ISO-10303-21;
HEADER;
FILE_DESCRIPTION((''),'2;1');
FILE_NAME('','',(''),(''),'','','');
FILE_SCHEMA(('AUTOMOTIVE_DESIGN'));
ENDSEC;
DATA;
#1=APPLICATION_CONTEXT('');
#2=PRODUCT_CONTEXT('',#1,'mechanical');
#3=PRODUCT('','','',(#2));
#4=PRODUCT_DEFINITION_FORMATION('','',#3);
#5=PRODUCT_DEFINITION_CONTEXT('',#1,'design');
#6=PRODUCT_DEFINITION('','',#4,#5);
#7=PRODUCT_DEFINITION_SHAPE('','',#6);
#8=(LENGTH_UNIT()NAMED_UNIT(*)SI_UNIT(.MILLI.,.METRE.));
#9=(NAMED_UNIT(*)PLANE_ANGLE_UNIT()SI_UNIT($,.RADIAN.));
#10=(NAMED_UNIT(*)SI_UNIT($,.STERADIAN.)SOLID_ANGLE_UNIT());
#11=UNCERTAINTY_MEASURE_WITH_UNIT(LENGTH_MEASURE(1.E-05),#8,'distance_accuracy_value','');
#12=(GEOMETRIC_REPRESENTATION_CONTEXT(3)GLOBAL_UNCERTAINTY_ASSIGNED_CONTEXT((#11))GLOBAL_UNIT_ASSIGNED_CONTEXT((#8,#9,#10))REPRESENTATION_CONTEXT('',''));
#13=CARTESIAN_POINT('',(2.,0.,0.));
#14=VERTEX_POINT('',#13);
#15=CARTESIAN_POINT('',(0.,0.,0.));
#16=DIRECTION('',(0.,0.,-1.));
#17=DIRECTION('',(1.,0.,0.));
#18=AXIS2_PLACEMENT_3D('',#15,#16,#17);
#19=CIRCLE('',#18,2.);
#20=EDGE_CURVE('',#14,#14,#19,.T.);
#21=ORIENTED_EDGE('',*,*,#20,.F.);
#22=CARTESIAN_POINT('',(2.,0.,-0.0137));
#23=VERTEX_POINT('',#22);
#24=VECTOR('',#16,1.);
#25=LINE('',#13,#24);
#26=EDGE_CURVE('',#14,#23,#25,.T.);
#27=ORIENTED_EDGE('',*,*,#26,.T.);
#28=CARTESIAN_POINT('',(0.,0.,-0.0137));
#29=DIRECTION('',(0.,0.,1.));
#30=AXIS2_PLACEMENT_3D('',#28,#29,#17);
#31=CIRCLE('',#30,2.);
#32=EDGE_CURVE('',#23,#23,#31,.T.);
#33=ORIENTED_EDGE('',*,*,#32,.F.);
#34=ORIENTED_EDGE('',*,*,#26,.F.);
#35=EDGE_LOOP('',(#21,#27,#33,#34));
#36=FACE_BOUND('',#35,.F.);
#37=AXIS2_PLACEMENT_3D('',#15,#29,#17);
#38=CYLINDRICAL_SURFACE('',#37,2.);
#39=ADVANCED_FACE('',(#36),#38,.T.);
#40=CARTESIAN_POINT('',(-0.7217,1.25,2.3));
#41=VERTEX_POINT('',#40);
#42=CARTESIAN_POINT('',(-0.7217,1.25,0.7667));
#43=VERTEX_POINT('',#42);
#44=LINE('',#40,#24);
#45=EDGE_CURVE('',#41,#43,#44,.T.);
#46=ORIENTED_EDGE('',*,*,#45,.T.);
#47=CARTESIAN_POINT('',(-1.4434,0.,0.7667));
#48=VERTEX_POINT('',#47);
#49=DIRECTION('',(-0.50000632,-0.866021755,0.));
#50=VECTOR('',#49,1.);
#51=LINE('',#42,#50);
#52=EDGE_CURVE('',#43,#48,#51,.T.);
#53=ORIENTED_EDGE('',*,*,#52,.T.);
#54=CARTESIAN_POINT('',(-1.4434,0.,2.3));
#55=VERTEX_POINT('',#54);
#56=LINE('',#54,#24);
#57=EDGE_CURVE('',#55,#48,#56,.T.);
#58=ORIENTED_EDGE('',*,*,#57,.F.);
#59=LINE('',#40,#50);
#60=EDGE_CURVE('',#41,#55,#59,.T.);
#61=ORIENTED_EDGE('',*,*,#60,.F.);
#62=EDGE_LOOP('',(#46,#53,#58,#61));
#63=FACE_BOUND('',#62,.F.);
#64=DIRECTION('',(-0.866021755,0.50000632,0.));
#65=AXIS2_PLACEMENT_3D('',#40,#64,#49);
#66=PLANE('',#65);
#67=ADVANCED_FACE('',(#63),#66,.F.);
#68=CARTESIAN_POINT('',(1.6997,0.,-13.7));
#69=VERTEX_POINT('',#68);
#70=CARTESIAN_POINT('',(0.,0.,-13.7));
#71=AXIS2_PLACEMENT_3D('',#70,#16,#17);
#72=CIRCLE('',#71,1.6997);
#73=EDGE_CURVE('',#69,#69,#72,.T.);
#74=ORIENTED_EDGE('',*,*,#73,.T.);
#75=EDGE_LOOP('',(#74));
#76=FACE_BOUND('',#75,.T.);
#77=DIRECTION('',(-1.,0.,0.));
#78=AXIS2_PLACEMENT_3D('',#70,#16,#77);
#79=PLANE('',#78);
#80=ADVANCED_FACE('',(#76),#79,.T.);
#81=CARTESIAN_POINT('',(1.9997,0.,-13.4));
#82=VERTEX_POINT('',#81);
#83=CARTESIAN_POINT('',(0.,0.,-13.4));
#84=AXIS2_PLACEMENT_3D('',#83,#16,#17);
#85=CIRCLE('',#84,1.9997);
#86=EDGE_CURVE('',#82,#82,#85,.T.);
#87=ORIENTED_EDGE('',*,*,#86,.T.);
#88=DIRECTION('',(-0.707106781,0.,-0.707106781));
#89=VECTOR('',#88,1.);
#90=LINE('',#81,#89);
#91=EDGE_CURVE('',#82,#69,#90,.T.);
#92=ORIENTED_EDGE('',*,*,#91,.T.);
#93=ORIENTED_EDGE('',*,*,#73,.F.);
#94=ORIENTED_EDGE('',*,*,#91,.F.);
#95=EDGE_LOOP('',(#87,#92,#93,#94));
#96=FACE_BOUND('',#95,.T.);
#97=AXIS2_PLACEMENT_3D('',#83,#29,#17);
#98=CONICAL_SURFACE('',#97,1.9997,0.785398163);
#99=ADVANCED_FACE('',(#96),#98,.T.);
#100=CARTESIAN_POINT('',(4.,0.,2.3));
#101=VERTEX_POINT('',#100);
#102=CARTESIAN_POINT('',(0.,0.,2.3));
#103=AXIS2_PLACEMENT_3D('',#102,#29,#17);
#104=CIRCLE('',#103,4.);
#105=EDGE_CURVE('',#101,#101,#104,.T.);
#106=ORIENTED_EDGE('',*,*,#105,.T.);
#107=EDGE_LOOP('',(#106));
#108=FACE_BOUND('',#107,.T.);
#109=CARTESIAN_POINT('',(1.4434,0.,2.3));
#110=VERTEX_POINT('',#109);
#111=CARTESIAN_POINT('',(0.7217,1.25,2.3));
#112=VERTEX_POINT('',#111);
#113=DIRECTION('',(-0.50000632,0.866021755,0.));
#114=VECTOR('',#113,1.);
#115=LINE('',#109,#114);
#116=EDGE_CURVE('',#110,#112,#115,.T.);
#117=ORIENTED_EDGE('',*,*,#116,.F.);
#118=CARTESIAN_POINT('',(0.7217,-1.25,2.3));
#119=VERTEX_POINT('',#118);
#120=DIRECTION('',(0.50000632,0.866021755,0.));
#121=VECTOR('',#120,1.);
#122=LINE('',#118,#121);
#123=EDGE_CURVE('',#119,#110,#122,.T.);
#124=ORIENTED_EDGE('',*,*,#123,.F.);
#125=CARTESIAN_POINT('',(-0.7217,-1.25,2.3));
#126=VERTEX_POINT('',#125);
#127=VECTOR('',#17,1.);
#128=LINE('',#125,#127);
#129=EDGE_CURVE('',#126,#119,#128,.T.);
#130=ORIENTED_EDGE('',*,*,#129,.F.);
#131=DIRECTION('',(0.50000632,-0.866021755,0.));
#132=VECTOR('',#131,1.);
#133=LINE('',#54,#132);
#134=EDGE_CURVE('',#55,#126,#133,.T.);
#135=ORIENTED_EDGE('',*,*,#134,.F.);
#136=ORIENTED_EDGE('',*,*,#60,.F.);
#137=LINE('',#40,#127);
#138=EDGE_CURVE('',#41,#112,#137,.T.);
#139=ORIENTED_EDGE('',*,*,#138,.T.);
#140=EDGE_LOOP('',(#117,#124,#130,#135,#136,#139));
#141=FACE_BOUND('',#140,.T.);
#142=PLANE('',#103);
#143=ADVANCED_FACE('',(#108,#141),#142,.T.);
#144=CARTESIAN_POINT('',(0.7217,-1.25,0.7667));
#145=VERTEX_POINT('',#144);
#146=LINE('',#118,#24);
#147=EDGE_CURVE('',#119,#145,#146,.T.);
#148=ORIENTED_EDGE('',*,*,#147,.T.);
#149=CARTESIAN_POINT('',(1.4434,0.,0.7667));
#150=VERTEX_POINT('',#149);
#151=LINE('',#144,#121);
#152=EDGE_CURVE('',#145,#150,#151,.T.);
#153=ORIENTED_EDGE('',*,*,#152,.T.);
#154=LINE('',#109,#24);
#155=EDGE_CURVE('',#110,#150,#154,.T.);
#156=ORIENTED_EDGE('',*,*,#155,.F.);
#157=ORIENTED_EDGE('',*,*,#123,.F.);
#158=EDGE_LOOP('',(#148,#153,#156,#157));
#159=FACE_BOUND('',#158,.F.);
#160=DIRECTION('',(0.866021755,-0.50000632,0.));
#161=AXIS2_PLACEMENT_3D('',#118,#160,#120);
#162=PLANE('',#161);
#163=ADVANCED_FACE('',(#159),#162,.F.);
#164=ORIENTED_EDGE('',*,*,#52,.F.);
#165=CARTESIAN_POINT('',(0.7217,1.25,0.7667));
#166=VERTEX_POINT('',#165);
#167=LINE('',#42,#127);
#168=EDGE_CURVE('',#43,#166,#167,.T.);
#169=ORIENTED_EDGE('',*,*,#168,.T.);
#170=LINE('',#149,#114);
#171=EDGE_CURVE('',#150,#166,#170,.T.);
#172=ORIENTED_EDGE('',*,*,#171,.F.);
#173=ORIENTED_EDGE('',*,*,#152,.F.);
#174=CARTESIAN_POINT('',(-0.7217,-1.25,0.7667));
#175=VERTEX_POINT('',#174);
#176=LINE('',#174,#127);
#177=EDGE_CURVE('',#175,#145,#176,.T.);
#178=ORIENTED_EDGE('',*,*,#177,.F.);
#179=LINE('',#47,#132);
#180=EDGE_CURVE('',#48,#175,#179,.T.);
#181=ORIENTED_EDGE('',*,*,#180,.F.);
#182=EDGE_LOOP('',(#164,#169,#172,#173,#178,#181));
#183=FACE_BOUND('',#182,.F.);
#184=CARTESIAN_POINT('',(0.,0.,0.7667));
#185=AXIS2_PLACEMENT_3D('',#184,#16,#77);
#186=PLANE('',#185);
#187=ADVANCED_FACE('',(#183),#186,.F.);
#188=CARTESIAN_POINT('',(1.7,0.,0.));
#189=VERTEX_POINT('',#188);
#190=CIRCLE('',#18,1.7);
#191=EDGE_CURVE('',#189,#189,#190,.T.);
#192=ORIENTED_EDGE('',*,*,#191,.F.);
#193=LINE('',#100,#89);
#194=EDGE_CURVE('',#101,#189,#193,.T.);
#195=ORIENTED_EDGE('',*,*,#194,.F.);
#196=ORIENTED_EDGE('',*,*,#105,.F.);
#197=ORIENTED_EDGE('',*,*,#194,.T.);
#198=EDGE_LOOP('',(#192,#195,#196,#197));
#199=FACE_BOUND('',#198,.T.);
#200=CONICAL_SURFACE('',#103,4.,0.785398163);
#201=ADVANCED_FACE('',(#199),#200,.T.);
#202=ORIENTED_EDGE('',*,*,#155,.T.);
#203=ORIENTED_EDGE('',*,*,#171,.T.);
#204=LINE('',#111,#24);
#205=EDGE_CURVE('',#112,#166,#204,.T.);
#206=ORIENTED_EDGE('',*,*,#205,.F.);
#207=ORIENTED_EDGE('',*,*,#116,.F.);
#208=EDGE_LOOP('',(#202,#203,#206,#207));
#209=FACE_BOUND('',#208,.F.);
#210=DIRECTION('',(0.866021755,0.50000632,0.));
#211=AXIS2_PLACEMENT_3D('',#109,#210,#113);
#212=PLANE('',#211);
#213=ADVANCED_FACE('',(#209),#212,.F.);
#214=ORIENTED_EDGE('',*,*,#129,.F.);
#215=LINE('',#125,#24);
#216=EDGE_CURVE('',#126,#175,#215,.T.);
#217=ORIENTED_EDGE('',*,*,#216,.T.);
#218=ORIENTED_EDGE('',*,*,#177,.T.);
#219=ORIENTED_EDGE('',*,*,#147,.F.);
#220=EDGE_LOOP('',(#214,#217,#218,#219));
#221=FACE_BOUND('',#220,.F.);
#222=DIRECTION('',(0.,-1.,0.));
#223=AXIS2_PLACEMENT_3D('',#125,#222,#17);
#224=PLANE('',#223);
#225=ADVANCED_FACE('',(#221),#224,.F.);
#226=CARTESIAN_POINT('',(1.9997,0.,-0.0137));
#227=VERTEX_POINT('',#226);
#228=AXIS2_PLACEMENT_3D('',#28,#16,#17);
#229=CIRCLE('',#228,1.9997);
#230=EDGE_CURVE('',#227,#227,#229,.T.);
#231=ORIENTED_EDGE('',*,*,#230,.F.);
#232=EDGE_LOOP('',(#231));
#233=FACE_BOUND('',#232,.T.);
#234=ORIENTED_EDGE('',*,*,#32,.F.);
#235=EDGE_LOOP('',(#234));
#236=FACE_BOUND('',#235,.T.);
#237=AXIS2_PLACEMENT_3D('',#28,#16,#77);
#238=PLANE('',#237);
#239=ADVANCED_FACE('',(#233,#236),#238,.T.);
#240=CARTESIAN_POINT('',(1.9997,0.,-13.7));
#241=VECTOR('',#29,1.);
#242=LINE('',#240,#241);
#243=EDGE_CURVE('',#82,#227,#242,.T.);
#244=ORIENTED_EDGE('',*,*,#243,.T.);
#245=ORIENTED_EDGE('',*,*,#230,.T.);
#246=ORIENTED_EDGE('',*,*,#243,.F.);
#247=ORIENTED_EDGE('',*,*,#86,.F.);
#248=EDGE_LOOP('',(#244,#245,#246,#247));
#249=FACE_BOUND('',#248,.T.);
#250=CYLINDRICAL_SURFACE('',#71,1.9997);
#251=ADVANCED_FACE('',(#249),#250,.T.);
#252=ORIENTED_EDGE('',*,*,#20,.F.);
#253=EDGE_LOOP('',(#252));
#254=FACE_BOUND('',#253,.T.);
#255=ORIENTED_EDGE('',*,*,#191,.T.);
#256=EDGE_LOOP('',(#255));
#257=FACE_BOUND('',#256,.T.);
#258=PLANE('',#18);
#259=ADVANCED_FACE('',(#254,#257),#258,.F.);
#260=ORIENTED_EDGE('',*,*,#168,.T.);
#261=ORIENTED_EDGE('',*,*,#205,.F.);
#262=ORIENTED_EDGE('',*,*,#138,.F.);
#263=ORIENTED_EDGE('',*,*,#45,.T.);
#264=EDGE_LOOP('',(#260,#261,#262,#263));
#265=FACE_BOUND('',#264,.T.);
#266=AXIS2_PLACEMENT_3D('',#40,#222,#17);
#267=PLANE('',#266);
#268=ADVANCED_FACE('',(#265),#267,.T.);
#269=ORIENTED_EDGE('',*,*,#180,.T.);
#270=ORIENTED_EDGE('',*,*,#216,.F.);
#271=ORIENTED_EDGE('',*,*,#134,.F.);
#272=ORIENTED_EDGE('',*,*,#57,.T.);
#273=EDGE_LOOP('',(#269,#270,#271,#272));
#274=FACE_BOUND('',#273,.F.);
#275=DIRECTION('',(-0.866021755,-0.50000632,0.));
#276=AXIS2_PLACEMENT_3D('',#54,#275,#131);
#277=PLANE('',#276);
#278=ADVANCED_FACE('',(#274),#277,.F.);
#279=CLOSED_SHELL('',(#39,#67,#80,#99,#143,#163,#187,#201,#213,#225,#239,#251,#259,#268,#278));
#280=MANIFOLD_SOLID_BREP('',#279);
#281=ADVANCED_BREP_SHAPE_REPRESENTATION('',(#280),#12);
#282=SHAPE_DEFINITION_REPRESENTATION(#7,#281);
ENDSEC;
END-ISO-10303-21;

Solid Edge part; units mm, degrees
sketch "Sketch1" plane through (0, 0, 0) normal (0, 0, 1) x (1, 0, 0)
  circle A0 centre (0, 0) radius 4
  dimension "D1" = 8
extrude "Protrusion1" add sketch "Sketch1" along normal blind 2.3
sketch "Sketch2" plane through (0, 0, 0) normal (0, 0, -1) x (1, 0, 0)
  circle A0 centre (0, 0) radius 2
extrude "Protrusion2" add sketch "Sketch2" along normal blind 13.7
sketch "Sketch3" plane through (0, 0, -13.7) normal (0, 0, -1) x (1, 0, 0)
  circle A0 centre (0, 0) radius 1.9997
extrude "Cutout1" cut sketch "Sketch3" against normal blind 13.6863 flip side to cut
chamfer "Chamfer_1" distance 0.3 angle 45 1 edges at (-1.9997, 0, -13.7)
sketch "Sketch4" plane through (0, 0, 2.3) normal (0, 0, 1) x (1, 0, 0)
  line L0 (-0.7217, 1.25) -> (0.7217, 1.25)
  line L1 (1.4434, 0) -> (0.7217, 1.25)
  line L2 (0.7217, -1.25) -> (1.4434, 0)
  line L3 (-0.7217, -1.25) -> (0.7217, -1.25)
  line L4 (-1.4434, 0) -> (-0.7217, -1.25)
  line L5 (-0.7217, 1.25) -> (-1.4434, 0)
  dimension "D1" = 2.5
extrude "Cutout2" cut sketch "Sketch4" against normal blind 1.5333
sketch "Sketch5" plane through (0, 0, 0) normal (0, -1, 0) x (1, 0, 0)
  line L0 (4, 2.3) -> (1.7, 0)
  line L1 (1.7, 0) -> (4, 0)
  line L2 (4, 0) -> (4, 2.3)
revolve "RevolvedCutout1" cut sketch "Sketch5" angle 360 about axis through (0, 0, 14.0017) along (0, 0, -1)
properties part number "24104371"
